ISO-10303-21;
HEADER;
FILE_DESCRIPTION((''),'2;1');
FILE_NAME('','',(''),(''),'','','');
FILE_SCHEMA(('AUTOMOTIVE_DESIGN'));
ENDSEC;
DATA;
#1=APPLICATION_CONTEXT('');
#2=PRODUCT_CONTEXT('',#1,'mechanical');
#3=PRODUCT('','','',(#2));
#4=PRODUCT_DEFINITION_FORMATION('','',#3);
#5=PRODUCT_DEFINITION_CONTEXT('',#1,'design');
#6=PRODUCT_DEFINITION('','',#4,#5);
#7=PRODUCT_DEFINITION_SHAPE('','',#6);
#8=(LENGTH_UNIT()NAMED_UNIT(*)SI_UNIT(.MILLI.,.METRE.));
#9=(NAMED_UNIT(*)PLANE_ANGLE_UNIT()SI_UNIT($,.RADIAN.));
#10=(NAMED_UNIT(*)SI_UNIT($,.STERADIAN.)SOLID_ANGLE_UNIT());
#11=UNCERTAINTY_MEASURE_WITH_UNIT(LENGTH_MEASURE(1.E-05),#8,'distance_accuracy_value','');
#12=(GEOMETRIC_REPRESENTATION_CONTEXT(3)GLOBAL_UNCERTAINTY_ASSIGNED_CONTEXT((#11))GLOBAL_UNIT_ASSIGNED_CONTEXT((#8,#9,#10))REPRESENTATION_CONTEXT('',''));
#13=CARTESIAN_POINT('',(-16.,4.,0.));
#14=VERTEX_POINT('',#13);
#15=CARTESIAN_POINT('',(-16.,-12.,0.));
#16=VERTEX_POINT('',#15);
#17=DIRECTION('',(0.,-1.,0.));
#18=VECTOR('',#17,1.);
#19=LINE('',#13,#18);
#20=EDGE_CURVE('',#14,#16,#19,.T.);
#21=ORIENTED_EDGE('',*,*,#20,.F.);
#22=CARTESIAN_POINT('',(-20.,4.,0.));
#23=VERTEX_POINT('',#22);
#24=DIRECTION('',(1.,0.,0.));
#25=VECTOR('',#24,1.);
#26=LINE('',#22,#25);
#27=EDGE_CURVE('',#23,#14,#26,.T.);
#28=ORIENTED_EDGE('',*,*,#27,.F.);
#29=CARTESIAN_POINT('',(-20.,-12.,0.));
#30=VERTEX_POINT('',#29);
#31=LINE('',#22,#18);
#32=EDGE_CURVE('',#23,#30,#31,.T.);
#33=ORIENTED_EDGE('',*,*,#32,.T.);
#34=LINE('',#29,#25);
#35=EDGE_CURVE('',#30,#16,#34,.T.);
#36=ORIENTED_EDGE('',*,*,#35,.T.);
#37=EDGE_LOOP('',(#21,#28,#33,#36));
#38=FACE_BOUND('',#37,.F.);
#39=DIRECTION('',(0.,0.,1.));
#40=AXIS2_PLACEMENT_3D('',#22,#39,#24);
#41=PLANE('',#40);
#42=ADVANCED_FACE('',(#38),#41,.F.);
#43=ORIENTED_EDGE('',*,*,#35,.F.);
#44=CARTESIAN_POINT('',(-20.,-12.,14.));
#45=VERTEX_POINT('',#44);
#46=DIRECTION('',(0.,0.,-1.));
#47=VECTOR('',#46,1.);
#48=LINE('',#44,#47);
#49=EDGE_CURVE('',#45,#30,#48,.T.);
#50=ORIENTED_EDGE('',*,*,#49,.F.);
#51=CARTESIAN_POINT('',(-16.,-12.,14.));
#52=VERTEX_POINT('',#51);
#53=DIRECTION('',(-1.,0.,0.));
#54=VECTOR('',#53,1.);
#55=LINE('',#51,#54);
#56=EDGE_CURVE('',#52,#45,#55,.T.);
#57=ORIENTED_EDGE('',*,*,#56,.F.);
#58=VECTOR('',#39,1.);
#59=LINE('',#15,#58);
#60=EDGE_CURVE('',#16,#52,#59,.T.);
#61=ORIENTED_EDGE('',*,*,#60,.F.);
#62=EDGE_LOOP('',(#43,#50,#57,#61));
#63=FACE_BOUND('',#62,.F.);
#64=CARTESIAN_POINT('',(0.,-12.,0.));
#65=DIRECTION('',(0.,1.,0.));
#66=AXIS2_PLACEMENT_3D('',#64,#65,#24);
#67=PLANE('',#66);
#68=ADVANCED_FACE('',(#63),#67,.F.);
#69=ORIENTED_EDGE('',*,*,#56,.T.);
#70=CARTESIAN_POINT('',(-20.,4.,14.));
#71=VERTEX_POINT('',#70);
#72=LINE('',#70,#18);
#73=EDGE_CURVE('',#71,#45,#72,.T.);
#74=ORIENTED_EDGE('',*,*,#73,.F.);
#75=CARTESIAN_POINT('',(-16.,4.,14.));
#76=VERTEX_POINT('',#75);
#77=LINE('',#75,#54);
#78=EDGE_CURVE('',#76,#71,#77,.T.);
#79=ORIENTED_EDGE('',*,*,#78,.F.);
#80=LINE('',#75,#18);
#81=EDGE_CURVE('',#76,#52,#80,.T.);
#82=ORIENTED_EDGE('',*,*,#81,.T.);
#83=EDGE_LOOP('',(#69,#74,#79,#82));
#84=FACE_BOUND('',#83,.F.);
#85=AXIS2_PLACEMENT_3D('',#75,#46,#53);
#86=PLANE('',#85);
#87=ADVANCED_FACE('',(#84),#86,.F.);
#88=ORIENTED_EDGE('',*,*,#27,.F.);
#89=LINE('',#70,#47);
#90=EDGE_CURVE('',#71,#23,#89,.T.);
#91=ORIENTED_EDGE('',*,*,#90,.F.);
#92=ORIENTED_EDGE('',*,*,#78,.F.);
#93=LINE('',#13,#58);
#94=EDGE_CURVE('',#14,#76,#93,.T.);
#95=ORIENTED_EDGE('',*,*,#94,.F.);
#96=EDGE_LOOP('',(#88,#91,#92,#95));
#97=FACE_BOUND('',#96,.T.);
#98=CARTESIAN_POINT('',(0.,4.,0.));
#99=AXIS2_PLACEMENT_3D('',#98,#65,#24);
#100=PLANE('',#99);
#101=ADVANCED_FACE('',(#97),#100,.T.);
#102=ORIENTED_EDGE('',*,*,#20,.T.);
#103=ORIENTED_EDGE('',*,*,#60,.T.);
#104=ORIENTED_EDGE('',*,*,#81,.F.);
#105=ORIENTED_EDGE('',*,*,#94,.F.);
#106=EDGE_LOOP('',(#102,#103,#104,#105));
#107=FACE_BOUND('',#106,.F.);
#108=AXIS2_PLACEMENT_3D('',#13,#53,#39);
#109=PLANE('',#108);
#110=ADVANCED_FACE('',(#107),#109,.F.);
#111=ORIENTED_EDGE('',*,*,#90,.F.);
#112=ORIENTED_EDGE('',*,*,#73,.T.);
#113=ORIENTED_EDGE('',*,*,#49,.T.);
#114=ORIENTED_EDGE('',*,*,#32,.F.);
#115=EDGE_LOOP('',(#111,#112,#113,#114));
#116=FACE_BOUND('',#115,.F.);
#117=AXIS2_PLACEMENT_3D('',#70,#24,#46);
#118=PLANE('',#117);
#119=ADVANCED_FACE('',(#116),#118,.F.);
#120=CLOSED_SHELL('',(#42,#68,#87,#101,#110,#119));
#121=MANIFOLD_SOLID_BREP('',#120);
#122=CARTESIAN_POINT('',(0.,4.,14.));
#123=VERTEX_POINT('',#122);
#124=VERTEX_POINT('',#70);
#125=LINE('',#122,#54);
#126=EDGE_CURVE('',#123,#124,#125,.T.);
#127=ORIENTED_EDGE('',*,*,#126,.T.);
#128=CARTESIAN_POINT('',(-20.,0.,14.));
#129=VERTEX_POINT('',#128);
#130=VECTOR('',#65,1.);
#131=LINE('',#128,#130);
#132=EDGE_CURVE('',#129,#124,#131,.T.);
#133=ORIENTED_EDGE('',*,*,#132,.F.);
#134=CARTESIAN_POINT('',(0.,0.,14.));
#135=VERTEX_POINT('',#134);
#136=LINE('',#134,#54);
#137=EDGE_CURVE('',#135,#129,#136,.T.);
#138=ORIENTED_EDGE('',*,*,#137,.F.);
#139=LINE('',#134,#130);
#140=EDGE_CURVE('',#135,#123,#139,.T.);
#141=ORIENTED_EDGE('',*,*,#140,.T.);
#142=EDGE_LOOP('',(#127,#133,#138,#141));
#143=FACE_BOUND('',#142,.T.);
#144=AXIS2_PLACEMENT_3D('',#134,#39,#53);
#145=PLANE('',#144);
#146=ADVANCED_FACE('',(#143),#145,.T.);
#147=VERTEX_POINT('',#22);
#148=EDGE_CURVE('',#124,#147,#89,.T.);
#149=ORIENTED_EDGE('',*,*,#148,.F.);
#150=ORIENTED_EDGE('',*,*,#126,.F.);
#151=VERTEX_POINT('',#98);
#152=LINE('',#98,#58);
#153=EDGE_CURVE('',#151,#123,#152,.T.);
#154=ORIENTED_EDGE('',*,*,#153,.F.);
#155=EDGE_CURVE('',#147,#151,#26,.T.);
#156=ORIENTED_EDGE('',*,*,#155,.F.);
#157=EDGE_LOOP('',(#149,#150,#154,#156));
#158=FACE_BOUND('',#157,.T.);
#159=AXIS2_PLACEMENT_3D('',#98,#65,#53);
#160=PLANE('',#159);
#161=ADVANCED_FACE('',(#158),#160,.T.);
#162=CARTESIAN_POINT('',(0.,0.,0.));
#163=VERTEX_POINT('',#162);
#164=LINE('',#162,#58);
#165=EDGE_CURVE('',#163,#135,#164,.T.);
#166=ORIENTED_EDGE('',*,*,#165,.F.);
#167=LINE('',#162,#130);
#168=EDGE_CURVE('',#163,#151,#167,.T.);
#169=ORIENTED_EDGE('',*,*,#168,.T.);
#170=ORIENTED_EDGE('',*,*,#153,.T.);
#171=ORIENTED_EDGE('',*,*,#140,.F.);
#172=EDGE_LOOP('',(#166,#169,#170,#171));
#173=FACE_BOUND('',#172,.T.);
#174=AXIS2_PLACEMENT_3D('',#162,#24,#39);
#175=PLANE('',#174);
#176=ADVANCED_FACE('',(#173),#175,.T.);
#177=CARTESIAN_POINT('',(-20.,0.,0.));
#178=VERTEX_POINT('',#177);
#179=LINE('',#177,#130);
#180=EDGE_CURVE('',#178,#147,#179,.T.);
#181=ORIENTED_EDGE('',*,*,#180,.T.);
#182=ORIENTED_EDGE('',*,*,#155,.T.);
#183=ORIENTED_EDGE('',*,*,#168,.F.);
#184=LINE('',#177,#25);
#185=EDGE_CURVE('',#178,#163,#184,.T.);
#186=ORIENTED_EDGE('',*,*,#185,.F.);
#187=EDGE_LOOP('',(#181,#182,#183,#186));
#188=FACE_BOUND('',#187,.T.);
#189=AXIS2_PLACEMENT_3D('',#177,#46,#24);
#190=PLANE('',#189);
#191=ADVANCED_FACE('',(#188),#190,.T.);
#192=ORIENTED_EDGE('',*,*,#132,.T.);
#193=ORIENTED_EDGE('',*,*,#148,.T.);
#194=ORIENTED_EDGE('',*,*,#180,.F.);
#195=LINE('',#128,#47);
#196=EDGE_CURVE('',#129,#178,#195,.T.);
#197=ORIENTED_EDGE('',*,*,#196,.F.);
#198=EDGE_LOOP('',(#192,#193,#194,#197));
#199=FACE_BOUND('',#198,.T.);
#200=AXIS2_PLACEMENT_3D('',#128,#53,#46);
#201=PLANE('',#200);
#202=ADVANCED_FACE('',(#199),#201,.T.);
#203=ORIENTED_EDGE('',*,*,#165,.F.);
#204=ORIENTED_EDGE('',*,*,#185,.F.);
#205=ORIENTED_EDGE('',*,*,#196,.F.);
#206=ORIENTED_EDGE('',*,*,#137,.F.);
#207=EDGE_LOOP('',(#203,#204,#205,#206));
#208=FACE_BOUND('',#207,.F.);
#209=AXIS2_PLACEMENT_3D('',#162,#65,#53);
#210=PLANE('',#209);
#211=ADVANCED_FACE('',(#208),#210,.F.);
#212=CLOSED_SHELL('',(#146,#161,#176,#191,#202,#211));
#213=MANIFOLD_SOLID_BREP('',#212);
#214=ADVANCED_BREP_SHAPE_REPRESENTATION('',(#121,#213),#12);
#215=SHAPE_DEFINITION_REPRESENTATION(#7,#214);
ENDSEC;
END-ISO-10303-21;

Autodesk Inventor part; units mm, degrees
ref_plane "YZ Plane" through (0, 0, 0) normal (1, 0, 0) x (0, 1, 0)
ref_plane "XZ Plane" through (0, 0, 0) normal (0, 1, 0) x (-1, 0, 0)
ref_plane "XY Plane" through (0, 0, 0) normal (0, 0, 1) x (1, 0, 0)
sketch "Sketch1" plane through (0, 0, 0) normal (0, 1, 0) x (-1, 0, 0)
  line L0 (0, 14) -> (20, 14)
  line L1 (20, 14) -> (20, 0)
  line L2 (20, 0) -> (0, 0)
  line L3 (0, 0) -> (0, 14)
extrude "Extrusion1" add sketch "Sketch1" along normal blind 4
sketch "Sketch2" plane through (0, 4, 0) normal (0, 1, 0) x (1, 0, 0)
  line L0 (-20, 0) -> (-16, 0)
  line L1 (-16, 0) -> (-16, -14)
  line L2 (-16, -14) -> (-20, -14)
  line L3 (-20, -14) -> (-20, 0)
extrude "Extrusion2" add sketch "Sketch2" against normal blind 16 separate body
properties part number "InventorLCells"
